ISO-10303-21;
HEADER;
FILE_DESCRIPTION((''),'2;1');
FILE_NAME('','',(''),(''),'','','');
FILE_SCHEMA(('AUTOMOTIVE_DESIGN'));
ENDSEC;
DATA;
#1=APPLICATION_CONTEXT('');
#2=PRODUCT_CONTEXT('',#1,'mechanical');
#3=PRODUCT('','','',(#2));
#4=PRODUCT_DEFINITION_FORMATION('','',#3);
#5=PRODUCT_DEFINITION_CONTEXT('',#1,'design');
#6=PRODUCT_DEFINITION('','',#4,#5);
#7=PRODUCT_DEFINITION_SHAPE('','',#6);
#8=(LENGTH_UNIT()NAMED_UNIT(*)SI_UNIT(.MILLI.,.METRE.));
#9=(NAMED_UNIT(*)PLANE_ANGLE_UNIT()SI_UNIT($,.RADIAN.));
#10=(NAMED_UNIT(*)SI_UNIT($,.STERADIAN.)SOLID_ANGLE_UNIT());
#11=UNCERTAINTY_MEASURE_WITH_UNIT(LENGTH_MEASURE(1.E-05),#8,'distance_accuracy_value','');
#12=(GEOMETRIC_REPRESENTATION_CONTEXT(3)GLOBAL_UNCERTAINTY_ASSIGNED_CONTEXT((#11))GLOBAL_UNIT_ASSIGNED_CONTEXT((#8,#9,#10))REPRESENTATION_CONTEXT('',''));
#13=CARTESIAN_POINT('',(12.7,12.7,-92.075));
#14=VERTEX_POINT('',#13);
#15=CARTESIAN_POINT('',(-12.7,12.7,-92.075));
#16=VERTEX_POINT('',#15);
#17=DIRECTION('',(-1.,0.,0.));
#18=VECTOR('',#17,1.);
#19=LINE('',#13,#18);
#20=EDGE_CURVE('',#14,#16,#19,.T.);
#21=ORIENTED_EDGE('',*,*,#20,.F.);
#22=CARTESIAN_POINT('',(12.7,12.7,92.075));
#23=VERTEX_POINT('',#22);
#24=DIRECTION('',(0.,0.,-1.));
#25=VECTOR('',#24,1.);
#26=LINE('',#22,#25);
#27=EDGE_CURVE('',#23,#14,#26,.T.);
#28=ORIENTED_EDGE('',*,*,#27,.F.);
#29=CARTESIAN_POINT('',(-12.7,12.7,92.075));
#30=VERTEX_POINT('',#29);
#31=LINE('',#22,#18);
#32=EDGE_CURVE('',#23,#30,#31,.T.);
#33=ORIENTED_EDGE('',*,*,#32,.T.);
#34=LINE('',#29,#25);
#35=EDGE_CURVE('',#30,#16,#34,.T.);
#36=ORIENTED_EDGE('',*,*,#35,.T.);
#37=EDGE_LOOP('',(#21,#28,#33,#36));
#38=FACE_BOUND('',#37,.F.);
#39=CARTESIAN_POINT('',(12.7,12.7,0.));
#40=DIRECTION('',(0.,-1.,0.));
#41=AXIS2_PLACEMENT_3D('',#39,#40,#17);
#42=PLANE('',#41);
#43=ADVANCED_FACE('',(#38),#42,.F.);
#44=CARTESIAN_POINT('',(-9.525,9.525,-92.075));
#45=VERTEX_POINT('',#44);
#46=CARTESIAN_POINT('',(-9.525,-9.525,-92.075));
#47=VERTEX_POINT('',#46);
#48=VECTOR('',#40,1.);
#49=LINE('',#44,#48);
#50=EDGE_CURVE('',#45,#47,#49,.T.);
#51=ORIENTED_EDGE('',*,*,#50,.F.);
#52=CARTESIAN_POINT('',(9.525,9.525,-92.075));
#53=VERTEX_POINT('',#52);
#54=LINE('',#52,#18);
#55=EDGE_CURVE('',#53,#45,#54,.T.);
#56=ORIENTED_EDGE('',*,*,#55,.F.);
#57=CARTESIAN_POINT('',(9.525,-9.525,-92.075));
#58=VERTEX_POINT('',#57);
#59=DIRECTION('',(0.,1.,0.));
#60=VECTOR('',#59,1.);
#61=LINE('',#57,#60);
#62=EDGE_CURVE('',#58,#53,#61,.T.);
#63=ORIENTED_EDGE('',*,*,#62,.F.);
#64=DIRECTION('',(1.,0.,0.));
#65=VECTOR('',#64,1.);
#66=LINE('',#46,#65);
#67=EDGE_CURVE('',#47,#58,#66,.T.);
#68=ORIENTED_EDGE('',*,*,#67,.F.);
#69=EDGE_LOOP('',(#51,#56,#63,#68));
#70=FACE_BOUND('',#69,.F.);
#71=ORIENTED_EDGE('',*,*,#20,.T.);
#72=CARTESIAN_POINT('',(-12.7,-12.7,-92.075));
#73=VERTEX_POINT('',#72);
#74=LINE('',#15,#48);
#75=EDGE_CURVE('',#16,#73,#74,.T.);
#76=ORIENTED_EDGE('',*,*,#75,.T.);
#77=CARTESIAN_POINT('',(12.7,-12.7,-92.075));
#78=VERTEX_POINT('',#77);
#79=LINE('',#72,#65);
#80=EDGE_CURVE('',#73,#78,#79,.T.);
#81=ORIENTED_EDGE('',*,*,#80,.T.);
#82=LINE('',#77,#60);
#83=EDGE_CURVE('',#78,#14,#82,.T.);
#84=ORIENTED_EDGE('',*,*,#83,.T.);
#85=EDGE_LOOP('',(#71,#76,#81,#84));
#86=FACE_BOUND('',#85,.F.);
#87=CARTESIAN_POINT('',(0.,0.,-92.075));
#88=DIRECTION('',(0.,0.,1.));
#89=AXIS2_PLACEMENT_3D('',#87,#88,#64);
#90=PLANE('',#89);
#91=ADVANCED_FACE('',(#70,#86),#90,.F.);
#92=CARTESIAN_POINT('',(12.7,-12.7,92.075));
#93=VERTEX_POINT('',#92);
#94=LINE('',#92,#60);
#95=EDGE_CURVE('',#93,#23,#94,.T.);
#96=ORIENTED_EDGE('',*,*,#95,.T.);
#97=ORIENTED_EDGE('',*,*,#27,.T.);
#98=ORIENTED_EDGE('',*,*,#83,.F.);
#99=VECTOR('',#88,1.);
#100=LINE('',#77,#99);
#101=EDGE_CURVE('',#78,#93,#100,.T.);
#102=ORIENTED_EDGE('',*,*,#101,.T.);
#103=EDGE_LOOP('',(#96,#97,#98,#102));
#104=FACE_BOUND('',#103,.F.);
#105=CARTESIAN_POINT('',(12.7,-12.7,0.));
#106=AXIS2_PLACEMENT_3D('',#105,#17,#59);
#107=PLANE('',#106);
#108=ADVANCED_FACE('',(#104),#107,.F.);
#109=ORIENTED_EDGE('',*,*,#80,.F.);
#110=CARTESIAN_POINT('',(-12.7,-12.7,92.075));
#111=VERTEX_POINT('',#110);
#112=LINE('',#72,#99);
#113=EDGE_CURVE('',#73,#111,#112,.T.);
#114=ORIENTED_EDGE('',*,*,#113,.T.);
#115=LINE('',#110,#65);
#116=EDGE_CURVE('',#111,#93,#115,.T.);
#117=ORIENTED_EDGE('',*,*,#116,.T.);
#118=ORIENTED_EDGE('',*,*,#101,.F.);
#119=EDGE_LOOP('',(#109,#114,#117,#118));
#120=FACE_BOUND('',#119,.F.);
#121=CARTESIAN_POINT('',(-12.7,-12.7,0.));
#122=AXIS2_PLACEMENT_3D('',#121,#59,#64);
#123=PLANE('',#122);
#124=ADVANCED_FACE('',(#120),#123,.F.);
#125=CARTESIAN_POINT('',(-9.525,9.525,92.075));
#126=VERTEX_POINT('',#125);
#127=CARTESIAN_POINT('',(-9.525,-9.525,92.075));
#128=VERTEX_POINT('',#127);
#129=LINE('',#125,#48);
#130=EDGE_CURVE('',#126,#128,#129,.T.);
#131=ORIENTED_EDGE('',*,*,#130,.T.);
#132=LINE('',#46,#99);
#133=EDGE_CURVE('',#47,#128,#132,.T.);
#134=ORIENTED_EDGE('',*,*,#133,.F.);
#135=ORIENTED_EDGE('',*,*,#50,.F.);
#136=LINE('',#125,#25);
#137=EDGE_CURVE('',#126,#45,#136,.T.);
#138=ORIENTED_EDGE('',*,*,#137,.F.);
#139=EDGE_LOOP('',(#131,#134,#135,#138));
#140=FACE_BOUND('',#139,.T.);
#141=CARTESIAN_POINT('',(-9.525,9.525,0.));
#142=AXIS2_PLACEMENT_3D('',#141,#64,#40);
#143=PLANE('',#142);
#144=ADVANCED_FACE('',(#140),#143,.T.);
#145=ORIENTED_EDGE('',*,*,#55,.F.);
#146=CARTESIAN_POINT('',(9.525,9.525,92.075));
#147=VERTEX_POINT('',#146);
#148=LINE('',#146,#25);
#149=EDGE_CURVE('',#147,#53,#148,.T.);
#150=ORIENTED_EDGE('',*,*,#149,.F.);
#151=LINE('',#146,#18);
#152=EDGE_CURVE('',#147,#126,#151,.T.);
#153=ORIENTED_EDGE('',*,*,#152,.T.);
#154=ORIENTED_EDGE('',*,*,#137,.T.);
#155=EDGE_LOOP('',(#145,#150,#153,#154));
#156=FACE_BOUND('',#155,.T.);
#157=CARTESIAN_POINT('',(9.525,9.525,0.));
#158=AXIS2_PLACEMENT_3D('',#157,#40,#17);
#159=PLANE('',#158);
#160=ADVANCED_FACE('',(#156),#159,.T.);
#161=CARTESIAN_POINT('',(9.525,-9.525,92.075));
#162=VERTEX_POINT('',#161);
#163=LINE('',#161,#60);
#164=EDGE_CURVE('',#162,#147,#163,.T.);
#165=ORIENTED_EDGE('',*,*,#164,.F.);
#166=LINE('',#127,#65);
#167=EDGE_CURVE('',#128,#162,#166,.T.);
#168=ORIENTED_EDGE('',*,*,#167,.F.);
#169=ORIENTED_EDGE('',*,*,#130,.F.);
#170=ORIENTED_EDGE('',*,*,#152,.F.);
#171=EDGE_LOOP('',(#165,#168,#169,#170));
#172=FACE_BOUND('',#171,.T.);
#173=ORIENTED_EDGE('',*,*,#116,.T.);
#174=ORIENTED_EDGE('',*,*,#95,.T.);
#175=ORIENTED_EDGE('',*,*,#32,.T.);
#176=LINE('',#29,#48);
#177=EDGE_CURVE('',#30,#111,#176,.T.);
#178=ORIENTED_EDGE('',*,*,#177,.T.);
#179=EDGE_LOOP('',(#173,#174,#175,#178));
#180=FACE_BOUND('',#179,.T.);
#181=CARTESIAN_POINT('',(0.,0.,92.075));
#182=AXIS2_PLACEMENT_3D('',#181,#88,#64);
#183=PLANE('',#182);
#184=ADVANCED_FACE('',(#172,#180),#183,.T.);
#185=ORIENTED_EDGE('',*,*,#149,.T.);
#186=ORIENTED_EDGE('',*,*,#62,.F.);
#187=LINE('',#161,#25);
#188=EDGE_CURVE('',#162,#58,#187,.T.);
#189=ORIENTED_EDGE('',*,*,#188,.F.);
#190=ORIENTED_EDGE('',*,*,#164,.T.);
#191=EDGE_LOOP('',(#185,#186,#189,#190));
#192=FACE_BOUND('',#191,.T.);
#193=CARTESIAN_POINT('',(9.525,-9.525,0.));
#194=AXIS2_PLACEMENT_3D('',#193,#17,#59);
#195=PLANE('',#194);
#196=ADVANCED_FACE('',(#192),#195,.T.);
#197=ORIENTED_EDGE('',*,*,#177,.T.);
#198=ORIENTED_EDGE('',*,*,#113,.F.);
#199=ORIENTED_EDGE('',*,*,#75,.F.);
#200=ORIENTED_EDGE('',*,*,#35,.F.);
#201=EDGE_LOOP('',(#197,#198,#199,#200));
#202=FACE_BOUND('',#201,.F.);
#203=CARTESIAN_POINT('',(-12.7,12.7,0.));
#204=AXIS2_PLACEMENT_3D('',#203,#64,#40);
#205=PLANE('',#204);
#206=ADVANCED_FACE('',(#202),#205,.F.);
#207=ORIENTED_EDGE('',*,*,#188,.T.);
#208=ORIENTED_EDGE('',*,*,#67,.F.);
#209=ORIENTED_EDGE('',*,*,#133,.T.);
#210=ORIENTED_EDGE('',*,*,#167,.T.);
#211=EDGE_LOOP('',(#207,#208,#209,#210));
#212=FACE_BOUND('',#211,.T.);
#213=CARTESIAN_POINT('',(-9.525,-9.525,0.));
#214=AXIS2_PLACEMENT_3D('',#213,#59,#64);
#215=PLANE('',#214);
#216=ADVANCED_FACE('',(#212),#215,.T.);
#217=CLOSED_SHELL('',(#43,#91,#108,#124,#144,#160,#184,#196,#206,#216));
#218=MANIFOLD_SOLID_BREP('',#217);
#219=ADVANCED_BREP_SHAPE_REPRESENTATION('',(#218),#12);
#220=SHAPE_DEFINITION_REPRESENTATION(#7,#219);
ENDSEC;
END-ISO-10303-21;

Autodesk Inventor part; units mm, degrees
ref_plane "YZ Plane" through (0, 0, 0) normal (1, 0, 0) x (0, 1, 0)
ref_plane "XZ Plane" through (0, 0, 0) normal (0, 1, 0) x (-1, 0, 0)
ref_plane "XY Plane" through (0, 0, 0) normal (0, 0, 1) x (1, 0, 0)
sketch "Sketch1" plane through (0, 0, 0) normal (0, 0, 1) x (1, 0, 0)
  line L0 (-12.7, -12.7) -> (12.7, -12.7)
  line L1 (12.7, -12.7) -> (12.7, 12.7)
  line L2 (12.7, 12.7) -> (-12.7, 12.7)
  line L3 (-12.7, 12.7) -> (-12.7, -12.7)
  line L4 (-12.7, -12.7) -> (12.7, 12.7) construction
  line L5 (12.7, -12.7) -> (-12.7, 12.7) construction
  line L6 (-9.525, -9.525) -> (9.525, -9.525)
  line L7 (9.525, -9.525) -> (9.525, 9.525)
  line L8 (9.525, 9.525) -> (-9.525, 9.525)
  line L9 (-9.525, 9.525) -> (-9.525, -9.525)
  line L10 (-9.525, -9.525) -> (9.525, 9.525) construction
  line L11 (9.525, -9.525) -> (-9.525, 9.525) construction
  point P0 (0, 0)
  dimension "d0" = 25.4
  dimension "d1" = 25.4
  dimension "d2" = 3.175
  dimension "d3" = 3.175
extrude "Extrusion1" add sketch "Sketch1" along normal mid plane 184.15
properties part number "7_250-inchAluminumTubing" material "Aluminum 6061"
